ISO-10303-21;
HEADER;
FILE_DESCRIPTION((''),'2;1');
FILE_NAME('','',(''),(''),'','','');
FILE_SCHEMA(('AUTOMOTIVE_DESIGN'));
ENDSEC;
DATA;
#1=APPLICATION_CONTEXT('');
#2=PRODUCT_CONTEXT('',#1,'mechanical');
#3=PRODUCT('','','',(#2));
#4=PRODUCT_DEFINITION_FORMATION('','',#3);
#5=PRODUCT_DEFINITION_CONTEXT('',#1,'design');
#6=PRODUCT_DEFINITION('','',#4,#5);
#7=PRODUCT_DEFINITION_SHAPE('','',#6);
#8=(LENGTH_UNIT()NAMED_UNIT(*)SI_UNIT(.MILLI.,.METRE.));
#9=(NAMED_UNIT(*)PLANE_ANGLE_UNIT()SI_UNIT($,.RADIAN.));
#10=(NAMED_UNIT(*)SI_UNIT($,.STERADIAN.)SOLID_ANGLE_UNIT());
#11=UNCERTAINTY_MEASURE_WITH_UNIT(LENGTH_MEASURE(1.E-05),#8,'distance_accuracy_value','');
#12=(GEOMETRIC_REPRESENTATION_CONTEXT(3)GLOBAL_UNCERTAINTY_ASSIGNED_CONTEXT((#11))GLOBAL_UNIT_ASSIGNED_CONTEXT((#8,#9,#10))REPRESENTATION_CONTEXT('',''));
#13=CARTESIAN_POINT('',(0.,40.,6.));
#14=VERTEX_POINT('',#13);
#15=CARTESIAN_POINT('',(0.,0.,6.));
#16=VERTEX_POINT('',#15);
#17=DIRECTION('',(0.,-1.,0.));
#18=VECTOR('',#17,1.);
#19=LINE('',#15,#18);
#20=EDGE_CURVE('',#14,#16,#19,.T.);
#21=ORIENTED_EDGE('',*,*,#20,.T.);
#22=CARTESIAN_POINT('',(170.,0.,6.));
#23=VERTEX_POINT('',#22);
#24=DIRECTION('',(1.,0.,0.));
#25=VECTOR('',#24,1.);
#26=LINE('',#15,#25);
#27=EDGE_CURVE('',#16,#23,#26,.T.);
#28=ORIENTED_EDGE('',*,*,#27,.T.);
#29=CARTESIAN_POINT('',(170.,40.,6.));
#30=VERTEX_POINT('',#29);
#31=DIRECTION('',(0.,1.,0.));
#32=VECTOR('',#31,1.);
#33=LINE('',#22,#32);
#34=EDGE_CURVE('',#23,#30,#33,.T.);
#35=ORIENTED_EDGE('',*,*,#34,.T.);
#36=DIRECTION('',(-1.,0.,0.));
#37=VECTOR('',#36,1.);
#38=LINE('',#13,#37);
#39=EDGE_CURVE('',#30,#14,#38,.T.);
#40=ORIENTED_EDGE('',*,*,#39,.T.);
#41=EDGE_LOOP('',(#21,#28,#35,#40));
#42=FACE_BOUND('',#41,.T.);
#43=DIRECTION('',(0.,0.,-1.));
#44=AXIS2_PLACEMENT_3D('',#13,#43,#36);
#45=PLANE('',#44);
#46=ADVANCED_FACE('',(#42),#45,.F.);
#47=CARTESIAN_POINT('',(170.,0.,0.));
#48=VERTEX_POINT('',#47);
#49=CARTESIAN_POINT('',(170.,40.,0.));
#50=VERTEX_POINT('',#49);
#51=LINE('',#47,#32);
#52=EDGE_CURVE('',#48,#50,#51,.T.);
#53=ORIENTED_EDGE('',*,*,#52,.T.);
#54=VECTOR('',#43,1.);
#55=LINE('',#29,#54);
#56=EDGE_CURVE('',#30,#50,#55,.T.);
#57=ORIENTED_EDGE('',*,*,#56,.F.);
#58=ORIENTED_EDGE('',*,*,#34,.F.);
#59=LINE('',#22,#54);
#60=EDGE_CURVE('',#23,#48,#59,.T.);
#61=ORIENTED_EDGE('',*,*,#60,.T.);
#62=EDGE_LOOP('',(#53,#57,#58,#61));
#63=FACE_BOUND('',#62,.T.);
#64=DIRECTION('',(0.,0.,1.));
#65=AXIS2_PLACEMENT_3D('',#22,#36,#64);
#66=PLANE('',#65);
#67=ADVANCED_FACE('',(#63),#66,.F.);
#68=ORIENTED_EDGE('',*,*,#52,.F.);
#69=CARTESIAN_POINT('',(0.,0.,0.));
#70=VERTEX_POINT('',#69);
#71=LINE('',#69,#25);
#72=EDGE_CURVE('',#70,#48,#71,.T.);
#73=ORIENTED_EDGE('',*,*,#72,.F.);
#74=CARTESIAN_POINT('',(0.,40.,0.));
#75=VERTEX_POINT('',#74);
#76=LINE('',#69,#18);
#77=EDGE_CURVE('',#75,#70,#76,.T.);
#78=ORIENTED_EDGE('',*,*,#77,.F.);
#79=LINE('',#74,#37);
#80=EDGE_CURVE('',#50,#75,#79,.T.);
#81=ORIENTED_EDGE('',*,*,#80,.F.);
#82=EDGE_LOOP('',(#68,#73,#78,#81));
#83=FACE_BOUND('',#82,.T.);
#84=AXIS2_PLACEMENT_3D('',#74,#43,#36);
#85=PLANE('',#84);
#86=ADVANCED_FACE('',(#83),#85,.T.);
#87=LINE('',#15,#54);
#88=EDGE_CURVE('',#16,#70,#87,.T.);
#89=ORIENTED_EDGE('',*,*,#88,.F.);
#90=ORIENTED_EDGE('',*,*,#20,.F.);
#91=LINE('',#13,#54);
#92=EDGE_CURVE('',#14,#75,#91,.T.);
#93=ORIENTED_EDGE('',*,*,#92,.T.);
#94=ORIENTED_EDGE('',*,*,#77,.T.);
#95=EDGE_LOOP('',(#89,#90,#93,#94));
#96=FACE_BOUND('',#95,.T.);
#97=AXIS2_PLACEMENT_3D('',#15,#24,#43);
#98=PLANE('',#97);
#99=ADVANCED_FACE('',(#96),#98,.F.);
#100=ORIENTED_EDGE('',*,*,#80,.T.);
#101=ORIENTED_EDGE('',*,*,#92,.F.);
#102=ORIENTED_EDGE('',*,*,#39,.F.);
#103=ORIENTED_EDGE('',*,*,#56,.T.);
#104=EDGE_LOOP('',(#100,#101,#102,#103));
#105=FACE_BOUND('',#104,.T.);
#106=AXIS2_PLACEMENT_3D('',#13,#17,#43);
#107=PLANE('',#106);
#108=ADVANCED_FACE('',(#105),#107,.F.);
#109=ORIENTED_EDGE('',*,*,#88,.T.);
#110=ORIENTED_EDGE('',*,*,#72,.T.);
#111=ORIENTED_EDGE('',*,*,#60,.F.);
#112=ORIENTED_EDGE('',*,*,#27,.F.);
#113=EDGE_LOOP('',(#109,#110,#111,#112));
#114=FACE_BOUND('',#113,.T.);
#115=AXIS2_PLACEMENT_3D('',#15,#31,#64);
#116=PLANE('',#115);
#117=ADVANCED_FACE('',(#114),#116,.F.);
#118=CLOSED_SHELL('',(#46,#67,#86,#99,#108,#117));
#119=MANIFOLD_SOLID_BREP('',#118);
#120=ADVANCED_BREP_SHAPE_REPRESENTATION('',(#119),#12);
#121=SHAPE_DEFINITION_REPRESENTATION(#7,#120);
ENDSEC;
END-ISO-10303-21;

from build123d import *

# Parameters (mm, degrees)
SKETCH_1_W      = 170
SKETCH_1_H      = 40
EXTRUDE_1_DEPTH = 6


with BuildPart() as part:
    # Эскиз1 → Вытянуть1 (new body)
    with BuildSketch(Plane.XY):
        with Locations((85, 20)):
            Rectangle(SKETCH_1_W, SKETCH_1_H)
    extrude(amount=EXTRUDE_1_DEPTH)


solid = part.part
